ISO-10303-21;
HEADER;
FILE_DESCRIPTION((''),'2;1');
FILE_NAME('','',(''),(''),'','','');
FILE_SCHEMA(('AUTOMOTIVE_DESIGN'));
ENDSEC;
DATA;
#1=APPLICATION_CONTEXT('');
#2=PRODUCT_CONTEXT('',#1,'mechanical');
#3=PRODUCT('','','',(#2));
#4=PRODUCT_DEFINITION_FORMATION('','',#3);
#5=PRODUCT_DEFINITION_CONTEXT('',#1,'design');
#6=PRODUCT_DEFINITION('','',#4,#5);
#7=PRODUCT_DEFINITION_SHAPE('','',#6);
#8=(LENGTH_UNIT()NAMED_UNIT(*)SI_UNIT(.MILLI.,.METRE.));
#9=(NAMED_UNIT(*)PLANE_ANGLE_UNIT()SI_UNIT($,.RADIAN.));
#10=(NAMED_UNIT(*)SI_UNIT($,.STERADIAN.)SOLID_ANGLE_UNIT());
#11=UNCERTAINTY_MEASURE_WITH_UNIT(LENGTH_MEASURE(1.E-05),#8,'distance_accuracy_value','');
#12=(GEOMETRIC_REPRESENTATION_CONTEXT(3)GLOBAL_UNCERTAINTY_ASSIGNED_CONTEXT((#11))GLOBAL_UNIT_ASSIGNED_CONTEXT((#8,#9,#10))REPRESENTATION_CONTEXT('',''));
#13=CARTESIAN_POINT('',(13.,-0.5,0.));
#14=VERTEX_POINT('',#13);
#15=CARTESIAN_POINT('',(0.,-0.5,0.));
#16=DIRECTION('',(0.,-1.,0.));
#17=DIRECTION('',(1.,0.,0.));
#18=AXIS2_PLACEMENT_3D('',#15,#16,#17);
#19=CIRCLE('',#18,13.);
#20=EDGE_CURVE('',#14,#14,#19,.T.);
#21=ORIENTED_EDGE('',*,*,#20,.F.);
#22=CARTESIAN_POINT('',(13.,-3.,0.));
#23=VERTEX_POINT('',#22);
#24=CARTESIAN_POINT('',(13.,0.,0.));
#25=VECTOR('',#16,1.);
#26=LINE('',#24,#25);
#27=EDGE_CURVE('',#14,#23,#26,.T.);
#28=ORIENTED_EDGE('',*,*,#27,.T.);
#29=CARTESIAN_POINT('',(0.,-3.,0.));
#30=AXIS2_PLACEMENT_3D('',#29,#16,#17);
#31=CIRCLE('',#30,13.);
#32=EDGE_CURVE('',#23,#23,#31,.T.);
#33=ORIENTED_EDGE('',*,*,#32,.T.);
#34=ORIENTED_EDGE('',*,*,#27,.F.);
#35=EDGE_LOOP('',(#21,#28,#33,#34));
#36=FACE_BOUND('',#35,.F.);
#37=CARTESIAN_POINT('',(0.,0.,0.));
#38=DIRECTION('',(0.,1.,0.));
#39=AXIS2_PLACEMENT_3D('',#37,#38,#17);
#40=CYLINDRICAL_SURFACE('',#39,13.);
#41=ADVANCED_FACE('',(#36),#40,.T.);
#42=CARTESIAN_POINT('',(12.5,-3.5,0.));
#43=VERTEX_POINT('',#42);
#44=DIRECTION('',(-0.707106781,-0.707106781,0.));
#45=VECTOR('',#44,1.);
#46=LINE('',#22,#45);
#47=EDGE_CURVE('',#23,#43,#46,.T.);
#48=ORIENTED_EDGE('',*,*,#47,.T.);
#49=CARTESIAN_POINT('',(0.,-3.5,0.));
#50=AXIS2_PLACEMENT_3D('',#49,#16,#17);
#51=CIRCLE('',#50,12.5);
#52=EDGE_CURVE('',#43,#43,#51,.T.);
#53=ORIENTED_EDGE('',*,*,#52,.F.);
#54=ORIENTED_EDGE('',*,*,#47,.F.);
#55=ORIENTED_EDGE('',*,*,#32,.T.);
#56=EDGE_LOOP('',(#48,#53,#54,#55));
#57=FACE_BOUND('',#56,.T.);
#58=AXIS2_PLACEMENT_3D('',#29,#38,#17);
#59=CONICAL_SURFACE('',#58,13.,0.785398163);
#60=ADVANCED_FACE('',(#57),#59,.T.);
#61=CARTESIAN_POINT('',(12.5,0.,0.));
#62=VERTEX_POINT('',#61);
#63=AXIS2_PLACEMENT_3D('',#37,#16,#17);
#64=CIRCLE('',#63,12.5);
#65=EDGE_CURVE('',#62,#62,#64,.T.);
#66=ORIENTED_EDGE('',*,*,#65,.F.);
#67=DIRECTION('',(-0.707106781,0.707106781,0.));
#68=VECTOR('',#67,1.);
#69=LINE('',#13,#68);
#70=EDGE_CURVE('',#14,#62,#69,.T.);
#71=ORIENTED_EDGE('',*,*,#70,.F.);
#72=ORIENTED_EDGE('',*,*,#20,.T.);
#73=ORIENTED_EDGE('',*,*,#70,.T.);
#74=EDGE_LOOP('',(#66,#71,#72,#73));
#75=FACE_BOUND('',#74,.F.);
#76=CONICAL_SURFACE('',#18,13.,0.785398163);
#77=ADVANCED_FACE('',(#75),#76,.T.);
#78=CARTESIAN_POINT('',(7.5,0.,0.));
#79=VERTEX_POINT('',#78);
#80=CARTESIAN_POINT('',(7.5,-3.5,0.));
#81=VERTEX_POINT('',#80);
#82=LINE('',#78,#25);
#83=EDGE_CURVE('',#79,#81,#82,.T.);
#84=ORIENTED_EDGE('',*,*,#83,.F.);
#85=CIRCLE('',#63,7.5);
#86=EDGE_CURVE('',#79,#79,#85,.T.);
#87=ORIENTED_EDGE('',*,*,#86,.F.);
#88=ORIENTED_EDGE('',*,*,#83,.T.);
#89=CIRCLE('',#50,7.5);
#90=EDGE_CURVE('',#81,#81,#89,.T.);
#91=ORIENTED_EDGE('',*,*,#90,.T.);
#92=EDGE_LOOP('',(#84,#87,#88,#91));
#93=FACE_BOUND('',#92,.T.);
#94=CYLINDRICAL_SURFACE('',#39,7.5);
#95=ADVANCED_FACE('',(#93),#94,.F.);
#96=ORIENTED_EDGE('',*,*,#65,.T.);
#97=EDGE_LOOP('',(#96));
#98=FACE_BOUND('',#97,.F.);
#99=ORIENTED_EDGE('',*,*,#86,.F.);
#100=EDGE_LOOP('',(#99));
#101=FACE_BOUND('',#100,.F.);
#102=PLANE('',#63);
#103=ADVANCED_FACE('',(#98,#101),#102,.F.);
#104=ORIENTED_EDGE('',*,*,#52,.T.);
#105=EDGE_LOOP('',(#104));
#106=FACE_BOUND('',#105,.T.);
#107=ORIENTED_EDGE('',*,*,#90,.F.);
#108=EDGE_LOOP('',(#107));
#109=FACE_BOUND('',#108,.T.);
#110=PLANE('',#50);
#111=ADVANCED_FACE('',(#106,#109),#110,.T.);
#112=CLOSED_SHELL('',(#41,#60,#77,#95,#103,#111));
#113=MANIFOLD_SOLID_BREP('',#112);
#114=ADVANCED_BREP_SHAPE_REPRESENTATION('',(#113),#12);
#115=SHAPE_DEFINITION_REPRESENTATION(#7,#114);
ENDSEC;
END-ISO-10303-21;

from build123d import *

# Parameters (mm, degrees)
F0_R     = 13
F0_R_2   = 7.5
F1_DEPTH = 3.5
F2_SIZE2 = 0.5
F2_SIZE  = 0.5


with BuildPart() as f1:
    # F0 (on Front) → F1 (new body)
    with BuildSketch(Plane.XZ):
        Circle(F0_R)
        Circle(F0_R_2, mode=Mode.SUBTRACT)
    extrude(amount=F1_DEPTH)

    # F2
    f2_edges = [f1.edges().sort_by_distance(p)[0] for p in [
        (-13, -3.5, 0),
        (-13, 0, 0),
    ]]
    chamfer(f2_edges, length=F2_SIZE, length2=F2_SIZE2)


solid = f1.part
